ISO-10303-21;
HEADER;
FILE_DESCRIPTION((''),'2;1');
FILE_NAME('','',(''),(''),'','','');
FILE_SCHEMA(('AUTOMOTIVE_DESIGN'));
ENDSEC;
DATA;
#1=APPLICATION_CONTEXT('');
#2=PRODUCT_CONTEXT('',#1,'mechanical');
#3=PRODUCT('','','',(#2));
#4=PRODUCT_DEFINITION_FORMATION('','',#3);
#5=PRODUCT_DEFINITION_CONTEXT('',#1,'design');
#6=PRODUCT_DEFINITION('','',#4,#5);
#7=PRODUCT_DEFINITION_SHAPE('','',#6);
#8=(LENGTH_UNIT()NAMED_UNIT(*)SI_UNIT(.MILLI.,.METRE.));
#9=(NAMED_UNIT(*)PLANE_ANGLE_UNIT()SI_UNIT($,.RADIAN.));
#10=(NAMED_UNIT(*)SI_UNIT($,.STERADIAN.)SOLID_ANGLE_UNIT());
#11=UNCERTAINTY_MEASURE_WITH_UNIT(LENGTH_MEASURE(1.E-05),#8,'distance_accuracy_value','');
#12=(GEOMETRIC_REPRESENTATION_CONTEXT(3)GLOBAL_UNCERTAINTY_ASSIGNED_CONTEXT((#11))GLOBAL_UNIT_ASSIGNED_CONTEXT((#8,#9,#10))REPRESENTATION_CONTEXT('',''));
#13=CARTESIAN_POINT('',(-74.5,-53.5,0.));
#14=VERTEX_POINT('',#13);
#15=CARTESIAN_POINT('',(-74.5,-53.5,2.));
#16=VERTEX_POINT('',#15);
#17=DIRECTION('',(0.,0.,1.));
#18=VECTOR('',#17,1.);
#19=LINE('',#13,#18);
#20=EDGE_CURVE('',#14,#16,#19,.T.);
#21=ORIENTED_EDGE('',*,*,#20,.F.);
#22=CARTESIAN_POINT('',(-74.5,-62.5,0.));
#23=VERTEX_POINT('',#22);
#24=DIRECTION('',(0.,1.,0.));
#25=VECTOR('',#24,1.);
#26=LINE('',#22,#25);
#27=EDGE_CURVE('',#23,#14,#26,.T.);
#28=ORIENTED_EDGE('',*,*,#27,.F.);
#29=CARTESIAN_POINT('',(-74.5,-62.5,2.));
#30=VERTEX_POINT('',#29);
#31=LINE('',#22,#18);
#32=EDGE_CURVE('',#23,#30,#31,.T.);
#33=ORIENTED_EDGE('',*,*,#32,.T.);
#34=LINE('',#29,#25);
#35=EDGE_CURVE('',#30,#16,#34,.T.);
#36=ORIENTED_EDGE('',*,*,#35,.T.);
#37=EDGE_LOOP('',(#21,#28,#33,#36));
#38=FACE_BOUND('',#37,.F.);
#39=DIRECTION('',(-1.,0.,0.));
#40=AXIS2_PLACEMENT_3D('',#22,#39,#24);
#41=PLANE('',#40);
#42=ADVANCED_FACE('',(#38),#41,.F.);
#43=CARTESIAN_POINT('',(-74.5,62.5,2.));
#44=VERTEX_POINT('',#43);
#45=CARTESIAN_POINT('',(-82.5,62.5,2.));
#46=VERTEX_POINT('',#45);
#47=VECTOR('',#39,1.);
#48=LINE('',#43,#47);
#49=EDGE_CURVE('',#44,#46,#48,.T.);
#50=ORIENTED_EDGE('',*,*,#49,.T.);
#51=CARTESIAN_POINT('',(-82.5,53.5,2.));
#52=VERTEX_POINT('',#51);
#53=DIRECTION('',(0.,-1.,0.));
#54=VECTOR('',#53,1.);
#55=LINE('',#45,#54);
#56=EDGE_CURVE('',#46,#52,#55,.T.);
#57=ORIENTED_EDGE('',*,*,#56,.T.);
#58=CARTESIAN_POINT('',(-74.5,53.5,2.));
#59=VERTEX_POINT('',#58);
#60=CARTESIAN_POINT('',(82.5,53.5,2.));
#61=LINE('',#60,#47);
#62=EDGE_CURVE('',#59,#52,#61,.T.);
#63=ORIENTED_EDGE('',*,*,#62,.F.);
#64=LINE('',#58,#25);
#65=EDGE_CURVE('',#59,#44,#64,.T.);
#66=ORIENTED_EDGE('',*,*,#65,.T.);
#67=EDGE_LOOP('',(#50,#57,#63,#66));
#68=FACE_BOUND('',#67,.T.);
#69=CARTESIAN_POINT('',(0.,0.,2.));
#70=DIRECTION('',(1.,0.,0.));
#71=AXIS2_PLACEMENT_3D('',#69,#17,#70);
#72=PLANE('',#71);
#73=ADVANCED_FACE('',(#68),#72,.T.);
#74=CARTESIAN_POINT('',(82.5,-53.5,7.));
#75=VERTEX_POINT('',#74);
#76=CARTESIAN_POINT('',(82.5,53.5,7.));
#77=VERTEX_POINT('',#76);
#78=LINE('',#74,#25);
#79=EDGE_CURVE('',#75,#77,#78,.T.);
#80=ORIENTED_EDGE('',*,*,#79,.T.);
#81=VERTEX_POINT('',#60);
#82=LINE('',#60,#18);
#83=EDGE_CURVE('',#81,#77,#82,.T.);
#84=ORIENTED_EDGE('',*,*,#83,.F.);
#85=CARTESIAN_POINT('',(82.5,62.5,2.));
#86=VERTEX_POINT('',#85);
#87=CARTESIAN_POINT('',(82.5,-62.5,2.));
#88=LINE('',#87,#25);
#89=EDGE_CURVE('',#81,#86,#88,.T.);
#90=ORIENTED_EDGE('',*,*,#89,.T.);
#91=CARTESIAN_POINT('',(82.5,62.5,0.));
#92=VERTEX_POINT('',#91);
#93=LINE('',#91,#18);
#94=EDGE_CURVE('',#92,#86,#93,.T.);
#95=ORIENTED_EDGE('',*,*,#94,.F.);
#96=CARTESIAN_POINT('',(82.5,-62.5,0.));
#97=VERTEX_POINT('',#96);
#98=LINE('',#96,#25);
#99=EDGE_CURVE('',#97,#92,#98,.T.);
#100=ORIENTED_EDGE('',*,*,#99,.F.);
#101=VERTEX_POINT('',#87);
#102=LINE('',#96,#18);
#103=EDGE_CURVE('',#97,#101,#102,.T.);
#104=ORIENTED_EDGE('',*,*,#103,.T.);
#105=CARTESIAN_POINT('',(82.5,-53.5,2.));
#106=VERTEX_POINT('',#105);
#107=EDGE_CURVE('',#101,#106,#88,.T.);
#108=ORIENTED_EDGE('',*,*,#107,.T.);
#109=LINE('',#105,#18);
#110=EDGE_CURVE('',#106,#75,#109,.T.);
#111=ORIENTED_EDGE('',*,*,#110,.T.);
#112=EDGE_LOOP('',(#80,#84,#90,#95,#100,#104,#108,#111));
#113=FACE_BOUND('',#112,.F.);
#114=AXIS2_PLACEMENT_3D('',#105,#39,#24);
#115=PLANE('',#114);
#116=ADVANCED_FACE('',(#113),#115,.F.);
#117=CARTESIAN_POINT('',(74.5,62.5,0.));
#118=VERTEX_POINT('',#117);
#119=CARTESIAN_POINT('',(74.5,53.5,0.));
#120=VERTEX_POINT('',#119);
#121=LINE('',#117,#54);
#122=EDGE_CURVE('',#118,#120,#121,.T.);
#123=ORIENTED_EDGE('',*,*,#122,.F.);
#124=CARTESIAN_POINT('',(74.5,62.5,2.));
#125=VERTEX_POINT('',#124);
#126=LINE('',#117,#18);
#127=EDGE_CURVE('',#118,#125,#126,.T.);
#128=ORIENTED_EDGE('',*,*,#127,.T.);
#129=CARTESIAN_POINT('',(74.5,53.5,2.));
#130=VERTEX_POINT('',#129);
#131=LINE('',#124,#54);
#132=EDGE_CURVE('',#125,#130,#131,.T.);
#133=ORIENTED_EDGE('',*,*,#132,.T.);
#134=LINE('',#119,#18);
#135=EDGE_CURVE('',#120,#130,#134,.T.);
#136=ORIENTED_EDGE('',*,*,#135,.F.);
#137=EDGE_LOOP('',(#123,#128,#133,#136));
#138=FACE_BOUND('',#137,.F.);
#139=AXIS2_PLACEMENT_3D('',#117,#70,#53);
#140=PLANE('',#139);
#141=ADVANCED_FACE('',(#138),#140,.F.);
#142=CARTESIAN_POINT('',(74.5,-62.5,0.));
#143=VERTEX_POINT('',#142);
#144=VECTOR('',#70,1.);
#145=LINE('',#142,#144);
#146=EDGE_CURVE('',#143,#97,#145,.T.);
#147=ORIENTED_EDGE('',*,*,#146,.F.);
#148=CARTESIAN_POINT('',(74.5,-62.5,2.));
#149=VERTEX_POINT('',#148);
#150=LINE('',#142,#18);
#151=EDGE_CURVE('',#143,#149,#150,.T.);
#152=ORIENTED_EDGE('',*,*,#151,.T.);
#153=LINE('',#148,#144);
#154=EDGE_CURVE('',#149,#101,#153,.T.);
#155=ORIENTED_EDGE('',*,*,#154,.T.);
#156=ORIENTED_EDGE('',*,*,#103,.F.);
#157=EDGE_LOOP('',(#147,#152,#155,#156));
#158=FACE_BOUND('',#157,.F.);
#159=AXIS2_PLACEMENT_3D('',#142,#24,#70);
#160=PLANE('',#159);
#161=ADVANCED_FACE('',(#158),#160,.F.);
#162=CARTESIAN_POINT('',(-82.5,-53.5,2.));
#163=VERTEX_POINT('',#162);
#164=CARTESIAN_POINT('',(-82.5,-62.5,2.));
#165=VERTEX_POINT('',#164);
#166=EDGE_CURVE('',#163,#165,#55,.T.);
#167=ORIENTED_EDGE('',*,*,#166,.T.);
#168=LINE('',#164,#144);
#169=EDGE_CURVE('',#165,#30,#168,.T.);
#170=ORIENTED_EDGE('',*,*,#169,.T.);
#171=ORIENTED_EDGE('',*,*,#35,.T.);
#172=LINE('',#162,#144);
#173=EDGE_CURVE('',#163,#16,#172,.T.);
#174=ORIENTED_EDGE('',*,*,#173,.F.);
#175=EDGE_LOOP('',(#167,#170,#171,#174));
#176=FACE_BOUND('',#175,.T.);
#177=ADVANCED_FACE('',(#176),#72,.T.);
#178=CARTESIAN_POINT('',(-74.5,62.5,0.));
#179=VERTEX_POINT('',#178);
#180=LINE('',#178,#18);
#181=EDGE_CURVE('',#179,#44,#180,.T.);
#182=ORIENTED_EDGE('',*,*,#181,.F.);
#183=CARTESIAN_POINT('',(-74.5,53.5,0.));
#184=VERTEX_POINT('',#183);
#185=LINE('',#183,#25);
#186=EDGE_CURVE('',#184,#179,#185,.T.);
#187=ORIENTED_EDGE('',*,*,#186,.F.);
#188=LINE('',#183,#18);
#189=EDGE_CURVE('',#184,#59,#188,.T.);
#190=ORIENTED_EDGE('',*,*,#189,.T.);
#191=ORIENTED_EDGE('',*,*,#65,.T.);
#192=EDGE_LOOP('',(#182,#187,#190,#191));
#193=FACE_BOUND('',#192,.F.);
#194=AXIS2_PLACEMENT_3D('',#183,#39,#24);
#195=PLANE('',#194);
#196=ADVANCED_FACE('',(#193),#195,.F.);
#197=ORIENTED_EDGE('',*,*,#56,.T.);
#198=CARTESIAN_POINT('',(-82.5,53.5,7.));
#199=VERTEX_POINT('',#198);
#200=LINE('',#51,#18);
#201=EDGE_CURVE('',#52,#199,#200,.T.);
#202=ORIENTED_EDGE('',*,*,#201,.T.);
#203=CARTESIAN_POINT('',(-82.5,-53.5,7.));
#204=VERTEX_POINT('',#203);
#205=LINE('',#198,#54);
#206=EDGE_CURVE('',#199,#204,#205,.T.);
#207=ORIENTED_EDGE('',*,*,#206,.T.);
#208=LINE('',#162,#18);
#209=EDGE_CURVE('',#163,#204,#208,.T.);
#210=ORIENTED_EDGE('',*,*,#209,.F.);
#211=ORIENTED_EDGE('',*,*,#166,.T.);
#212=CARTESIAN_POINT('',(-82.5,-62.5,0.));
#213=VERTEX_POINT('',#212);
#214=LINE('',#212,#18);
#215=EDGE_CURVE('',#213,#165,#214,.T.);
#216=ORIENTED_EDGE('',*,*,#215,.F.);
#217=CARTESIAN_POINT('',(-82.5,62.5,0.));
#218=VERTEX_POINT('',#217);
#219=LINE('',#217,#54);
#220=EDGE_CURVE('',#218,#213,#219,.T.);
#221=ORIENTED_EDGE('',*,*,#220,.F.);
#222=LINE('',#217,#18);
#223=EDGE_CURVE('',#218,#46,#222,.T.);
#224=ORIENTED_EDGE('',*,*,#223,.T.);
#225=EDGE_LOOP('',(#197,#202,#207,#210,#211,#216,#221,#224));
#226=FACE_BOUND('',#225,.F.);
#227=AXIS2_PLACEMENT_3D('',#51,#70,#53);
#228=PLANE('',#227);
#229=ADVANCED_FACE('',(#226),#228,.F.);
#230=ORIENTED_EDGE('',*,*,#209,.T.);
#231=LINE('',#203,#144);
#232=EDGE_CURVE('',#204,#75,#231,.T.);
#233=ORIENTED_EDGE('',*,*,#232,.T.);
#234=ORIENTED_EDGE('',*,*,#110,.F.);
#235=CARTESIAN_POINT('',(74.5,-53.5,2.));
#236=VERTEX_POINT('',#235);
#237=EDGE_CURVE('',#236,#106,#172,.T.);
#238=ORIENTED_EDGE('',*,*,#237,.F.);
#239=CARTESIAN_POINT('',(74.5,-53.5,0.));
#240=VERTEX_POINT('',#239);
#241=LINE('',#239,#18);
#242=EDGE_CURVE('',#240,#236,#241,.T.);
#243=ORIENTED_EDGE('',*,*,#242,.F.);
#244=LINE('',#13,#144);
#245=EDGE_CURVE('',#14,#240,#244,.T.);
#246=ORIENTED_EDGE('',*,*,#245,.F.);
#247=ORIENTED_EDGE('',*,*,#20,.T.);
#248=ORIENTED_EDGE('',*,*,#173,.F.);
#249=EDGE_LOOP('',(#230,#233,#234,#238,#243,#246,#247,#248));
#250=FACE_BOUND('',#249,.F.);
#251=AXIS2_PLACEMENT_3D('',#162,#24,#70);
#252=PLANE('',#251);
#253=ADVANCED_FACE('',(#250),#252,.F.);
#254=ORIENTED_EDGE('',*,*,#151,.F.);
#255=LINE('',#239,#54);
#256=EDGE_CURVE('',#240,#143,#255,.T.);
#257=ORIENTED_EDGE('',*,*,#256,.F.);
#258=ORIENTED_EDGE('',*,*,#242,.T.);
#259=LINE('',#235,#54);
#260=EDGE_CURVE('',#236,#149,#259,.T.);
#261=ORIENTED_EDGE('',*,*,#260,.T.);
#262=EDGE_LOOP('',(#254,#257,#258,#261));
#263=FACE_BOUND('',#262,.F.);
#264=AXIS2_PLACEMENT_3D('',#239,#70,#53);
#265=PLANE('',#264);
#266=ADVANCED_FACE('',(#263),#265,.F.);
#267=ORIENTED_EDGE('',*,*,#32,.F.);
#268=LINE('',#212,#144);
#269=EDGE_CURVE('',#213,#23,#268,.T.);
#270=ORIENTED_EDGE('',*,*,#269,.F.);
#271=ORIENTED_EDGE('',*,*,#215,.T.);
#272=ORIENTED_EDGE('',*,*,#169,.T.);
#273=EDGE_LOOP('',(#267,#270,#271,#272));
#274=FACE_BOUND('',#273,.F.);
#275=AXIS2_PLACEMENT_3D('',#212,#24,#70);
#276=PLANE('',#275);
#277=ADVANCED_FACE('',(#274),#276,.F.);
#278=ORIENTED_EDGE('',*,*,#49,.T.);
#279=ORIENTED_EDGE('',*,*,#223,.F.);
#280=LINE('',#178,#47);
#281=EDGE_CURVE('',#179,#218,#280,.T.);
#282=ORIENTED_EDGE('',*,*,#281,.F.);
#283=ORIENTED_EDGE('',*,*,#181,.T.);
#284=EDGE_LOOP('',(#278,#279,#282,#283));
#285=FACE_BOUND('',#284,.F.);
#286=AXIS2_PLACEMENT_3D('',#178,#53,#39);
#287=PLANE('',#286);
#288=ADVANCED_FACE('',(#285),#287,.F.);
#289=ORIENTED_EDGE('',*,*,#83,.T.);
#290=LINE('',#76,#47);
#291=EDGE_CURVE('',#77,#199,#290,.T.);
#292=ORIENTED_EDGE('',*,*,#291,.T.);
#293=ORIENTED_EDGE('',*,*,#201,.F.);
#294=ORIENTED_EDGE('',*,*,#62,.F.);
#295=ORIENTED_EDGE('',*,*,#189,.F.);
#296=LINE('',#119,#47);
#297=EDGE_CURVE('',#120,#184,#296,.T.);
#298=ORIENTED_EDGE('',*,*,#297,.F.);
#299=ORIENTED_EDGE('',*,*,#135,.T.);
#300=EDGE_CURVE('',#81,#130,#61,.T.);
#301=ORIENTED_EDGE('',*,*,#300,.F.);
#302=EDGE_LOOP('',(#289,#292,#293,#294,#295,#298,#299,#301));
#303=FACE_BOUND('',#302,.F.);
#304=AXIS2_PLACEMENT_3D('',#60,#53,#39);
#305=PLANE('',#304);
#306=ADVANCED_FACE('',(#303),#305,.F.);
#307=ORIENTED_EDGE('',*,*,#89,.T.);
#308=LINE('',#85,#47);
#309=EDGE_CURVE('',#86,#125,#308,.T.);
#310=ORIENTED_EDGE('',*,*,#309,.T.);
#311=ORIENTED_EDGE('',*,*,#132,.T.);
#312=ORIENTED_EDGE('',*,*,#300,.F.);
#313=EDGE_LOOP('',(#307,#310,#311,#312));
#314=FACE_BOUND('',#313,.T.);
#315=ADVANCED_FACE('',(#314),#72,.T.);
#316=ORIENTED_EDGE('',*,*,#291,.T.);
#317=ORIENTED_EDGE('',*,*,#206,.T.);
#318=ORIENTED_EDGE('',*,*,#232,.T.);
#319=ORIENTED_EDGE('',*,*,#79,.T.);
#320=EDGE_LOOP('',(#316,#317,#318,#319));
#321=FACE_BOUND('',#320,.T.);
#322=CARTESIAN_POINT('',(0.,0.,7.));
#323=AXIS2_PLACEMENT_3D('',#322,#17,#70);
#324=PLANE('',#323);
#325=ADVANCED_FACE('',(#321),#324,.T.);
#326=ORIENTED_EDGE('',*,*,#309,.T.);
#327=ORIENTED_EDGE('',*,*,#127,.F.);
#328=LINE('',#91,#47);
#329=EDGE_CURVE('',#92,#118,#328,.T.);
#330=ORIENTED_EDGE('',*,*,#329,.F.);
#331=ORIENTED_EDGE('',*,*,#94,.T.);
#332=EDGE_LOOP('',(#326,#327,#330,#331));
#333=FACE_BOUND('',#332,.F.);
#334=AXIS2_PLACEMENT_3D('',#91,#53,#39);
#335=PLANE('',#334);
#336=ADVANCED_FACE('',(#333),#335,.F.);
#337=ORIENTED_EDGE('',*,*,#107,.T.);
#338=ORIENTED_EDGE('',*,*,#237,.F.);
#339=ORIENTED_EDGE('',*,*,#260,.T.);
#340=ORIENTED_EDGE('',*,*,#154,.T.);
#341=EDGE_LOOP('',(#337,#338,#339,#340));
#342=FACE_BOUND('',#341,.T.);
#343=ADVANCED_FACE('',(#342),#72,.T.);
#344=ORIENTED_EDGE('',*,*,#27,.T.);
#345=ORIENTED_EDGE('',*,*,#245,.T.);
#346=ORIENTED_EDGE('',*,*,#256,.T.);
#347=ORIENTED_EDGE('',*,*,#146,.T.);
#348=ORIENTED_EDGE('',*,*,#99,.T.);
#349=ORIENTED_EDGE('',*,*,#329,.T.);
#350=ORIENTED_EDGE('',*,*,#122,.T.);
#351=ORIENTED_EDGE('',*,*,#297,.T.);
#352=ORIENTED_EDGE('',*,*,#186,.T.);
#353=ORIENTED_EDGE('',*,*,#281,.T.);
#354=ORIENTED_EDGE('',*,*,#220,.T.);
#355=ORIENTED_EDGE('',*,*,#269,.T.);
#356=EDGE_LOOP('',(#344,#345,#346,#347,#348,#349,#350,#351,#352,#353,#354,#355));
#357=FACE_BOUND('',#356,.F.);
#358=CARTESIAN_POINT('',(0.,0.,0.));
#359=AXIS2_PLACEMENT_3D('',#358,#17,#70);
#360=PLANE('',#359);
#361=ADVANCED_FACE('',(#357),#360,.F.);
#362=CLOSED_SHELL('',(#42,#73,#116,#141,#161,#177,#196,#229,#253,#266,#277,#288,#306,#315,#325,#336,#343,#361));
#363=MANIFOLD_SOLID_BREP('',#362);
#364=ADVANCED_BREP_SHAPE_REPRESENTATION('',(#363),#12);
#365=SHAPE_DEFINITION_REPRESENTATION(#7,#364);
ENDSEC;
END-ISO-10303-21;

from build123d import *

# Parameters (mm, degrees)
F1_DEPTH = 2
F3_DEPTH = 5


with BuildPart() as f1:
    # F0 (on Top) → F1 (new body)
    with BuildSketch(Plane.XY):
        Polygon((82.5, 53.5), (82.5, 62.5), (74.5, 62.5), (74.5, 53.5), (-74.5, 53.5), (-74.5, 62.5), (-82.5, 62.5), (-82.5, 53.5), (-82.5, -53.5), (-82.5, -62.5), (-74.5, -62.5), (-74.5, -53.5), (74.5, -53.5), (74.5, -62.5), (82.5, -62.5), (82.5, -53.5), align=None)
    extrude(amount=F1_DEPTH)

    # F2 (on face) → F3 (join)
    with BuildSketch(Plane.XY.offset(2)):
        Polygon((82.5, -53.5), (82.5, 53.5), (74.5, 53.5), (-74.5, 53.5), (-82.5, 53.5), (-82.5, -53.5), (-74.5, -53.5), (74.5, -53.5), align=None)
    extrude(amount=F3_DEPTH)


solid = f1.part
